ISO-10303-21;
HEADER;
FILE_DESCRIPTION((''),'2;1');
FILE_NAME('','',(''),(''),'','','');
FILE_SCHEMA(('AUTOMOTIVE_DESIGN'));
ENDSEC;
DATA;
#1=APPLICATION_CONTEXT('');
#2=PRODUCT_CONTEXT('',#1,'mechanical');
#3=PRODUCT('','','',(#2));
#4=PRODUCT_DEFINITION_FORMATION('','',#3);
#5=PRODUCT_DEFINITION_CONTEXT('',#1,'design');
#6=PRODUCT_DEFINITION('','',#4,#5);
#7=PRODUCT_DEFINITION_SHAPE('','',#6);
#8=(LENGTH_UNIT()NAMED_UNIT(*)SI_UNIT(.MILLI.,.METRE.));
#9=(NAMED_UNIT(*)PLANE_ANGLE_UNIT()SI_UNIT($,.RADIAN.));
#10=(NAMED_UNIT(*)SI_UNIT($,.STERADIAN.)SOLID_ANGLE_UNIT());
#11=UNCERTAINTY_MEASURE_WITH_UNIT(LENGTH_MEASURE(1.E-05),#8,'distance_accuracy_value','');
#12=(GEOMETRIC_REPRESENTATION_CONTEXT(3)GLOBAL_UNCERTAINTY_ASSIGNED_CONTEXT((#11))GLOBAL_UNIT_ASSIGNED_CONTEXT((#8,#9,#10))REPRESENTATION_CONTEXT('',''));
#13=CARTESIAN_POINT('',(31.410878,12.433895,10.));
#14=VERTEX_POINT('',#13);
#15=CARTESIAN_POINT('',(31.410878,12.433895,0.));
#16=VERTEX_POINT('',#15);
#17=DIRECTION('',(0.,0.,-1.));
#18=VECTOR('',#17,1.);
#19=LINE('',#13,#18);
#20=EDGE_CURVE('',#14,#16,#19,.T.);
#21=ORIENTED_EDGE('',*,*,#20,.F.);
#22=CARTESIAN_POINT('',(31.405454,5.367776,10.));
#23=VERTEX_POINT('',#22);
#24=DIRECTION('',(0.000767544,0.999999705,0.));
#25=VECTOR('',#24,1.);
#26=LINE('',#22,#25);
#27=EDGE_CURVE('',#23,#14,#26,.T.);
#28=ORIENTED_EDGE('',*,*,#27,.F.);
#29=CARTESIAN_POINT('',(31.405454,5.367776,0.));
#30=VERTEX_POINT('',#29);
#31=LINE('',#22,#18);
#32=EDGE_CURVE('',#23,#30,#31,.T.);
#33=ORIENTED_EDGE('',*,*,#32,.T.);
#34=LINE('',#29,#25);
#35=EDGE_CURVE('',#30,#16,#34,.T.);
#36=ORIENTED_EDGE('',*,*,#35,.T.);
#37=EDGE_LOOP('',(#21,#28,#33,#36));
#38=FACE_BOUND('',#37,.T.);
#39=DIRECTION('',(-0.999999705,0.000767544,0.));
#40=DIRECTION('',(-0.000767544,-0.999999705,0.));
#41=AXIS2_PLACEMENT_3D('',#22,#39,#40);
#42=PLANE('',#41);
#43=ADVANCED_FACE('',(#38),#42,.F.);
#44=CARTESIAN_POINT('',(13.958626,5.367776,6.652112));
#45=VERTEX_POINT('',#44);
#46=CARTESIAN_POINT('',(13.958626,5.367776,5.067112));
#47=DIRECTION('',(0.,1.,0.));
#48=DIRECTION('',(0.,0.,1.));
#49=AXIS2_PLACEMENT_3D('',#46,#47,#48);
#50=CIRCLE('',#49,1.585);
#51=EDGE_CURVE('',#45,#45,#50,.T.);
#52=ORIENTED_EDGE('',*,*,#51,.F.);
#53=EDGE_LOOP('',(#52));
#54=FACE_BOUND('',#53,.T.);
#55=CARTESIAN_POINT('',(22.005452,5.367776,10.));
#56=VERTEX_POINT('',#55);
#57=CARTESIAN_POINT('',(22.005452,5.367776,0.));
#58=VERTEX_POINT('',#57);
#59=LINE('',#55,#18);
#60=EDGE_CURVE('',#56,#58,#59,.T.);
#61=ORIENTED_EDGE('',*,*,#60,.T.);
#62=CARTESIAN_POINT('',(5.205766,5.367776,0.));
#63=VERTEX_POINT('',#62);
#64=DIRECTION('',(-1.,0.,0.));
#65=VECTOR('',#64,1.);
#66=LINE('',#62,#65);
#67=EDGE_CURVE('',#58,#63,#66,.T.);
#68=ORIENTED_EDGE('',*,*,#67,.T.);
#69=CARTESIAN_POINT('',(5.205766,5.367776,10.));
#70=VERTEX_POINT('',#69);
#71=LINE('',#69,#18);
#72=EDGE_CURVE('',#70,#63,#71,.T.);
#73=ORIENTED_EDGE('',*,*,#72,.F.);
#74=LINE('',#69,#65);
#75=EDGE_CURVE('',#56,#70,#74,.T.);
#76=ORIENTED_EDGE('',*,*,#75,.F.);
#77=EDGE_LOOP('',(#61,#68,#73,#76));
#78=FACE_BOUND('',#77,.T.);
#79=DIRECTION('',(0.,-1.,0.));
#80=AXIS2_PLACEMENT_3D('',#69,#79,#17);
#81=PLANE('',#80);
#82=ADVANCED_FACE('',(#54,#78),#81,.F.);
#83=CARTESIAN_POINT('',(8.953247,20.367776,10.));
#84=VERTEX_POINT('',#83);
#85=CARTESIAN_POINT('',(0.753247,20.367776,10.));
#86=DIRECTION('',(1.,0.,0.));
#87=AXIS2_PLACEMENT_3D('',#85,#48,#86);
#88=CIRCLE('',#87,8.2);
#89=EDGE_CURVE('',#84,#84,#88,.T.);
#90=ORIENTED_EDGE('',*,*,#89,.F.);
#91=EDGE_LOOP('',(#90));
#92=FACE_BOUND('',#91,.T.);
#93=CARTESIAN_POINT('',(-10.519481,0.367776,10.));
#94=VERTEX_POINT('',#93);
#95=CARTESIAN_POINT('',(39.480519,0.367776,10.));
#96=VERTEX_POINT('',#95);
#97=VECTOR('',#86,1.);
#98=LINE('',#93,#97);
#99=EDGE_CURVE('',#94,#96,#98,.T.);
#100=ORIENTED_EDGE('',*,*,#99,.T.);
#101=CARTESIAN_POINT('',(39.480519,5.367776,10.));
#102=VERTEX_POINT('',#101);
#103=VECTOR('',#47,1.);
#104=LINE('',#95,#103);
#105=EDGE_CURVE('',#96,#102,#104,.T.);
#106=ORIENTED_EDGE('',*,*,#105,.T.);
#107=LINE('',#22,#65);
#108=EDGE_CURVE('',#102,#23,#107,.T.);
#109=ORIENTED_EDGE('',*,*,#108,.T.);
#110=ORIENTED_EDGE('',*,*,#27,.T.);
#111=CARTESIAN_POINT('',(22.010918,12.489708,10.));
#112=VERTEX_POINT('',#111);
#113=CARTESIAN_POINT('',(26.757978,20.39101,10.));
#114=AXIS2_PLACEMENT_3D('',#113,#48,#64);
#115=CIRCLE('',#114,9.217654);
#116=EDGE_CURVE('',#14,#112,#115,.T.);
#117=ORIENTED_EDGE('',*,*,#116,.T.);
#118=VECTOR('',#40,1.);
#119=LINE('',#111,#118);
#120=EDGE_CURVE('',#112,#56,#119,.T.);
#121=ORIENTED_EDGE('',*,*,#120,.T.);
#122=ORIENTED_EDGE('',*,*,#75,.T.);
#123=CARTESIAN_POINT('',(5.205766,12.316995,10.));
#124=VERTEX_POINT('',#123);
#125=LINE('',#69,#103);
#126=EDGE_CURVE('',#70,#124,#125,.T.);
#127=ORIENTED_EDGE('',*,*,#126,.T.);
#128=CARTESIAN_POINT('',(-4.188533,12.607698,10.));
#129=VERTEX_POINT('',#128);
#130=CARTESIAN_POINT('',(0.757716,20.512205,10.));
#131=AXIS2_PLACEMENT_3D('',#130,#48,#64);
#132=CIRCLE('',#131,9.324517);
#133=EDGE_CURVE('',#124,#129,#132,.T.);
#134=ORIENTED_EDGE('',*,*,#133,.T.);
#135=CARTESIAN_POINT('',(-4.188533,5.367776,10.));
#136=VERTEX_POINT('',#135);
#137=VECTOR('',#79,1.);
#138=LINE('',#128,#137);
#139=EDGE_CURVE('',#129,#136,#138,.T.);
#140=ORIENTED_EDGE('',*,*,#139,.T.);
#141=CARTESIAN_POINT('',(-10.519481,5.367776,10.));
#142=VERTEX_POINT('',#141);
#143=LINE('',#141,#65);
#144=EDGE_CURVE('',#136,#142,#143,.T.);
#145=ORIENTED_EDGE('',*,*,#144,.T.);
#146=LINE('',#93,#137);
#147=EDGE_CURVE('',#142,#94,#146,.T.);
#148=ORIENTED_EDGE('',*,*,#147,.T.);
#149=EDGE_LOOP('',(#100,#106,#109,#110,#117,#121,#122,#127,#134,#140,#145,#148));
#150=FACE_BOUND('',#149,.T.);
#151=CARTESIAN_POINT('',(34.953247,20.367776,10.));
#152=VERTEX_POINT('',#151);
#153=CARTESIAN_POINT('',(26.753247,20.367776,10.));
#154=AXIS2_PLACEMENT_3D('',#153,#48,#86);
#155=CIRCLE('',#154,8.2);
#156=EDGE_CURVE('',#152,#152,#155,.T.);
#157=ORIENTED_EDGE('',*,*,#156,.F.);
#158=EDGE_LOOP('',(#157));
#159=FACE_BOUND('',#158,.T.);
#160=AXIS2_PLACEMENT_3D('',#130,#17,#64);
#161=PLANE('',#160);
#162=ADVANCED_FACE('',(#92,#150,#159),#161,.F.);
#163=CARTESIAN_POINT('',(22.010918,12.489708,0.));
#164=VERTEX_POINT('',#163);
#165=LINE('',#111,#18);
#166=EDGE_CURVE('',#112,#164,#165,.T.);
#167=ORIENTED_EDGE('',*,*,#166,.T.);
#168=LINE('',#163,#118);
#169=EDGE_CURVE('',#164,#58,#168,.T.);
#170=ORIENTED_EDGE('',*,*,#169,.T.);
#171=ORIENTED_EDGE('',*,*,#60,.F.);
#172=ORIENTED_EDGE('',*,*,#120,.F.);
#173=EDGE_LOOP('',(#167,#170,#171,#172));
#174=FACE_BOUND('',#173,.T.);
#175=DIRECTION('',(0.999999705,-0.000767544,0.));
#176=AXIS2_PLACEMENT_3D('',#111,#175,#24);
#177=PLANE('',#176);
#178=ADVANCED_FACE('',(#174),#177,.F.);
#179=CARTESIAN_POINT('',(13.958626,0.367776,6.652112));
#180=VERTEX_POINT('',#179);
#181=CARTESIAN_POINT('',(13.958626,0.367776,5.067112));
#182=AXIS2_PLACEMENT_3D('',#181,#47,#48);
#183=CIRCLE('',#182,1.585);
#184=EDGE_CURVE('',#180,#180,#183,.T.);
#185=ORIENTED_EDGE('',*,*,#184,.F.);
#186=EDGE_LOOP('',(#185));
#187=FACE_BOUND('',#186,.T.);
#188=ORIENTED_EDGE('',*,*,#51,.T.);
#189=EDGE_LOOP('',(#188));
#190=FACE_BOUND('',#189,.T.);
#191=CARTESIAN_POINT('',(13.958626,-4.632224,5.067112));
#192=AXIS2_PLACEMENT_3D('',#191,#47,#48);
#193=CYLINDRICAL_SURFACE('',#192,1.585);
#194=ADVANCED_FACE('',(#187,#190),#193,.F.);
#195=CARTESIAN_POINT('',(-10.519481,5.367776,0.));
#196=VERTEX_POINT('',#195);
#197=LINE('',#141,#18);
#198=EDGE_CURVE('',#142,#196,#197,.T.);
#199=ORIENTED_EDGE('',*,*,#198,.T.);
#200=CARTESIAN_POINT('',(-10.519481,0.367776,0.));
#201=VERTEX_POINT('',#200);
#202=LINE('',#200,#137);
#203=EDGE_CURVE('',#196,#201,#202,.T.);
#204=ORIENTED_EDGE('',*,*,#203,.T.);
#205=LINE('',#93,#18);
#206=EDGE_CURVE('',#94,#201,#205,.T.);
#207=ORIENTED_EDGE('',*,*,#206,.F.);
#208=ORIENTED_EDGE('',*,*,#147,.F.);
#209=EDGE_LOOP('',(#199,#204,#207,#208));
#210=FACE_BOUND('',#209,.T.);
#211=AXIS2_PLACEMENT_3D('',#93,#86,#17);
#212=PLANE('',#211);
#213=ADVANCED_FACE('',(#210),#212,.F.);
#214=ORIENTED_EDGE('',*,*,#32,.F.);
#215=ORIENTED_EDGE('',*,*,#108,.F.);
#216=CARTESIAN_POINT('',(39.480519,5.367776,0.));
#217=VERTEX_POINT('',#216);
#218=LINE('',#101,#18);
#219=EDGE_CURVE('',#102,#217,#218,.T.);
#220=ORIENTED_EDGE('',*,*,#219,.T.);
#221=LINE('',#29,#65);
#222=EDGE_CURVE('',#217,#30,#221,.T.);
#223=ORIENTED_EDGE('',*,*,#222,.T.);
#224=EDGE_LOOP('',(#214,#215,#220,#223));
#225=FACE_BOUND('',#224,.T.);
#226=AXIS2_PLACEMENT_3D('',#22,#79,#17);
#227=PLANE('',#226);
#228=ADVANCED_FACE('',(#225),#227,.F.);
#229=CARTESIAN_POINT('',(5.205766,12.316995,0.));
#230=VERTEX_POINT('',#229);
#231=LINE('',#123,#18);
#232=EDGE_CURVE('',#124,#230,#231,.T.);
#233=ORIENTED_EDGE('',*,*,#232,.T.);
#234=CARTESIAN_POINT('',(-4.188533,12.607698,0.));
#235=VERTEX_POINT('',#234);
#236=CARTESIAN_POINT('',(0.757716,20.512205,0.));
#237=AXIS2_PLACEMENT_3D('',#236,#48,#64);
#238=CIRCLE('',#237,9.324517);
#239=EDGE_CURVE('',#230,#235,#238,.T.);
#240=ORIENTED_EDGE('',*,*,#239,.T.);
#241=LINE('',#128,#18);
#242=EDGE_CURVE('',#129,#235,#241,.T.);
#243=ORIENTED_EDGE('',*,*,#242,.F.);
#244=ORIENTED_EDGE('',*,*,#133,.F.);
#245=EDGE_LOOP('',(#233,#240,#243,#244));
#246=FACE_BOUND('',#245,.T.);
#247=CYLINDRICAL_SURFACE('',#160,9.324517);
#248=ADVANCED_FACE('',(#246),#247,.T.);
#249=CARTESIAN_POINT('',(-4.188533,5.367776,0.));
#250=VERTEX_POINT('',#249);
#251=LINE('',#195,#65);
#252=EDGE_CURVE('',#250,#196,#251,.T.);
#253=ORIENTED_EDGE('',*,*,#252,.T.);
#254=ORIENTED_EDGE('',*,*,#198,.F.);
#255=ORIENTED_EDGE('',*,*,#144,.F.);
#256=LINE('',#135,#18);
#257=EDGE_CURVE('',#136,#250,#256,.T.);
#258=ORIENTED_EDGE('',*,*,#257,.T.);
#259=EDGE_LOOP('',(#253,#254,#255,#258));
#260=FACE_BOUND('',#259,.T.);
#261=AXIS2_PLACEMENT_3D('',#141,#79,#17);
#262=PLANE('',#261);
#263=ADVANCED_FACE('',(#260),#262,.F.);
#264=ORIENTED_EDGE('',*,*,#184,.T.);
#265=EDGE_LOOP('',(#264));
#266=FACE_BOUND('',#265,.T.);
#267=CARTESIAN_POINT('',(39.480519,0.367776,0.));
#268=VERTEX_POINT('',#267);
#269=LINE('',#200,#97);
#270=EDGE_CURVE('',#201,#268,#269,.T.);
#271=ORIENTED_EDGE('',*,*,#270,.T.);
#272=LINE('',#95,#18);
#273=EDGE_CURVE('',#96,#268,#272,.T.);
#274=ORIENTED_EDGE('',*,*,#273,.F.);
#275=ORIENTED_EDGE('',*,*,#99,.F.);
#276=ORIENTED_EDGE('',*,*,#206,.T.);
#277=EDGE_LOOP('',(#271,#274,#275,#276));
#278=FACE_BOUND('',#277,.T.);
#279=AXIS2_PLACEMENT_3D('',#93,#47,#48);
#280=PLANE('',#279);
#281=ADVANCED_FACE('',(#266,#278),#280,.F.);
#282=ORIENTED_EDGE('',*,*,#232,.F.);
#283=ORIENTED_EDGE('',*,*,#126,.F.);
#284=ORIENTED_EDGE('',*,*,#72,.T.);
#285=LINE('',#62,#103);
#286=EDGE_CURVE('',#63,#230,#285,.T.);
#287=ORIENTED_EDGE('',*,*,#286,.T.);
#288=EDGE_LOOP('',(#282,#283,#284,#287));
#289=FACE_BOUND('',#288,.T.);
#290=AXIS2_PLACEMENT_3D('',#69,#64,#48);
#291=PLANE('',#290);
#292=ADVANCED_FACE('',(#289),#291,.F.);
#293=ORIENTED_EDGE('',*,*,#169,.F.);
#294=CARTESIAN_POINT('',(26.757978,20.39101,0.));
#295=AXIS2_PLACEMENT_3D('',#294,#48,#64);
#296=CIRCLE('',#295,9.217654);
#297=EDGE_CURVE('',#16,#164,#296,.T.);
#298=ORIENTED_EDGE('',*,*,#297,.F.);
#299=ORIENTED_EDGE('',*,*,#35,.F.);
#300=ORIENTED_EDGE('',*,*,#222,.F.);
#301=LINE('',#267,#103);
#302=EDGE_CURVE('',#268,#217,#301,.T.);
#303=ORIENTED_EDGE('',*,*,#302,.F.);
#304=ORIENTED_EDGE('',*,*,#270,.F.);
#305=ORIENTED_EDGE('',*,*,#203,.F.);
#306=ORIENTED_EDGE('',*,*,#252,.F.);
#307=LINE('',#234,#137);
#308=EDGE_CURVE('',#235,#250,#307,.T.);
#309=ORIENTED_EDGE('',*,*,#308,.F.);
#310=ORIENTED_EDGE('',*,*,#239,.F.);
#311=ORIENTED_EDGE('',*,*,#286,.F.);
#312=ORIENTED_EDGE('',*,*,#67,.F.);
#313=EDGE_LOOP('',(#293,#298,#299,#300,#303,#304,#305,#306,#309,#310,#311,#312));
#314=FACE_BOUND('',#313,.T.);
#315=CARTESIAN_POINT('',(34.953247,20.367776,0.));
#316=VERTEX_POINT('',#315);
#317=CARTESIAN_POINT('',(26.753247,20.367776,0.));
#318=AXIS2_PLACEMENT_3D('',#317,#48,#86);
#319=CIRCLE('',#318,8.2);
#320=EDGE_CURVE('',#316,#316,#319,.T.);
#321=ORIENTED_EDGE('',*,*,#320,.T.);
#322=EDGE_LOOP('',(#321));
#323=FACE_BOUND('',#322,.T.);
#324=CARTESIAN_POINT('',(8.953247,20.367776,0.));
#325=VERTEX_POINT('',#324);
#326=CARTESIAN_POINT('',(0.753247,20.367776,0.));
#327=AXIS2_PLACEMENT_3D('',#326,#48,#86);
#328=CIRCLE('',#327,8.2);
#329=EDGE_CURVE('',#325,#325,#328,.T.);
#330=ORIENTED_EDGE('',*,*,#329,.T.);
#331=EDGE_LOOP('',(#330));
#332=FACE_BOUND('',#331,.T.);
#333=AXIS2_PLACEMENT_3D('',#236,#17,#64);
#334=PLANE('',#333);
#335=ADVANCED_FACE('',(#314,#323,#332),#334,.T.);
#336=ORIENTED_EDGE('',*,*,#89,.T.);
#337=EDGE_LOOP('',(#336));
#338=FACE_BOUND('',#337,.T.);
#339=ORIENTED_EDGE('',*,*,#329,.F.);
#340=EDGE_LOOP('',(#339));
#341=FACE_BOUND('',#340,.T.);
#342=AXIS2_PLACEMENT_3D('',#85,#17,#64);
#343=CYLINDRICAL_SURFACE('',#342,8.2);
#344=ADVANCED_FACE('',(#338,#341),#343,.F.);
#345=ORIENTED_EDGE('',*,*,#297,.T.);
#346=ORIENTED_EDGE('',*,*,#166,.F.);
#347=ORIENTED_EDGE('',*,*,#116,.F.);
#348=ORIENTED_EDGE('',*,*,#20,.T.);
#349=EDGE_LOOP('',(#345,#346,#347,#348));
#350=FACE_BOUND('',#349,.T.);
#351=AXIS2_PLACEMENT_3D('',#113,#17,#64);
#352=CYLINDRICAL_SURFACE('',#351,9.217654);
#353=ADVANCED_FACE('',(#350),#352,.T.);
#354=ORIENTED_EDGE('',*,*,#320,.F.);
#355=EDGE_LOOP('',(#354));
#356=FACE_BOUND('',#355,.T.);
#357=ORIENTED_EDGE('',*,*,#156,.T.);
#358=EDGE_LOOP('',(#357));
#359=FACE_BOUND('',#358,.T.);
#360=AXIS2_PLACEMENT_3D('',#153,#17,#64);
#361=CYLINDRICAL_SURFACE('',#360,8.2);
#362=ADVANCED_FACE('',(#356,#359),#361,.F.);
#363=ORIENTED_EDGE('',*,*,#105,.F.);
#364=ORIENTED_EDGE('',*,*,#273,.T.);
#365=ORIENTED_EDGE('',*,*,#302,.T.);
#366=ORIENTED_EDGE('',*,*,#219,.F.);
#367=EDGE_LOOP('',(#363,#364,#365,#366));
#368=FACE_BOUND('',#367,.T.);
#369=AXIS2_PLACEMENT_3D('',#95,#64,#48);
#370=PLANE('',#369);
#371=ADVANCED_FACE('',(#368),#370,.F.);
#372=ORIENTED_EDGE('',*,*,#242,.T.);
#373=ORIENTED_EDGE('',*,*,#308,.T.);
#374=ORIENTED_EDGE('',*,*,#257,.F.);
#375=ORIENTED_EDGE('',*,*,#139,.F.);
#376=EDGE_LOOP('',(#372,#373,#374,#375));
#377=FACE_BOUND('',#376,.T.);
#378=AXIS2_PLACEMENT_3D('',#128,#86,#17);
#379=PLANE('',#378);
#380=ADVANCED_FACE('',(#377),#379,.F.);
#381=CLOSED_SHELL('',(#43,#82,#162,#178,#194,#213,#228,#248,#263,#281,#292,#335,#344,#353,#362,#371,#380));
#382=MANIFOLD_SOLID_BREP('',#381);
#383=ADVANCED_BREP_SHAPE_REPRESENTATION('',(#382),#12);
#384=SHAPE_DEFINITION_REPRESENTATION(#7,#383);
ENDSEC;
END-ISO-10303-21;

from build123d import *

# Parameters (mm, degrees)
SKETCH1_R           = 8.2
BOSS_EXTRUDE1_DEPTH = 10
SKETCH2_R           = 1.585
CUT_EXTRUDE1_DEPTH  = 10


with BuildPart() as part:
    # Sketch1 → Boss-Extrude1 (new body)
    with BuildSketch(Plane.XY):
        with BuildLine():
            Line((-4.18853286, 12.607697881), (-4.18853286, 5.367776119))
            Line((-4.18853286, 5.367776119), (-10.519480519, 5.367776119))
            Line((-10.519480519, 5.367776119), (-10.519480519, 0.367776119))
            Line((-10.519480519, 0.367776119), (39.480519481, 0.367776119))
            Line((39.480519481, 0.367776119), (39.480519481, 5.367776119))
            Line((39.480519481, 5.367776119), (31.405454323, 5.367776119))
            Line((31.405454323, 5.367776119), (31.410877884, 12.433894833))
            ThreePointArc((31.410877884, 12.433894833), (26.812708154, 29.608501659), (22.010917954, 12.489708029))
            Line((22.010917954, 12.489708029), (22.005451554, 5.367776119))
            Line((22.005451554, 5.367776119), (5.205765597, 5.367776119))
            Line((5.205765597, 5.367776119), (5.205765597, 12.316995042))
            ThreePointArc((5.205765597, 12.316995042), (1.04612148, 29.83226088), (-4.18853286, 12.607697881))
        make_face()
        with Locations((26.753246753, 20.367776119)):
            Circle(SKETCH1_R, mode=Mode.SUBTRACT)
        with Locations((0.753246753, 20.367776119)):
            Circle(SKETCH1_R, mode=Mode.SUBTRACT)
    extrude(amount=BOSS_EXTRUDE1_DEPTH)

    # Sketch2 → Cut-Extrude1 (cut)
    with BuildSketch(Plane(origin=(0, 5.367776119, 0), x_dir=(1, 0, 0), z_dir=(0, 1, 0))):
        with Locations(Location((13.958626021, -5.067111952, 0), (0, 0, 270))):
            Circle(SKETCH2_R)
    extrude(amount=-CUT_EXTRUDE1_DEPTH, mode=Mode.SUBTRACT)


solid = part.part
